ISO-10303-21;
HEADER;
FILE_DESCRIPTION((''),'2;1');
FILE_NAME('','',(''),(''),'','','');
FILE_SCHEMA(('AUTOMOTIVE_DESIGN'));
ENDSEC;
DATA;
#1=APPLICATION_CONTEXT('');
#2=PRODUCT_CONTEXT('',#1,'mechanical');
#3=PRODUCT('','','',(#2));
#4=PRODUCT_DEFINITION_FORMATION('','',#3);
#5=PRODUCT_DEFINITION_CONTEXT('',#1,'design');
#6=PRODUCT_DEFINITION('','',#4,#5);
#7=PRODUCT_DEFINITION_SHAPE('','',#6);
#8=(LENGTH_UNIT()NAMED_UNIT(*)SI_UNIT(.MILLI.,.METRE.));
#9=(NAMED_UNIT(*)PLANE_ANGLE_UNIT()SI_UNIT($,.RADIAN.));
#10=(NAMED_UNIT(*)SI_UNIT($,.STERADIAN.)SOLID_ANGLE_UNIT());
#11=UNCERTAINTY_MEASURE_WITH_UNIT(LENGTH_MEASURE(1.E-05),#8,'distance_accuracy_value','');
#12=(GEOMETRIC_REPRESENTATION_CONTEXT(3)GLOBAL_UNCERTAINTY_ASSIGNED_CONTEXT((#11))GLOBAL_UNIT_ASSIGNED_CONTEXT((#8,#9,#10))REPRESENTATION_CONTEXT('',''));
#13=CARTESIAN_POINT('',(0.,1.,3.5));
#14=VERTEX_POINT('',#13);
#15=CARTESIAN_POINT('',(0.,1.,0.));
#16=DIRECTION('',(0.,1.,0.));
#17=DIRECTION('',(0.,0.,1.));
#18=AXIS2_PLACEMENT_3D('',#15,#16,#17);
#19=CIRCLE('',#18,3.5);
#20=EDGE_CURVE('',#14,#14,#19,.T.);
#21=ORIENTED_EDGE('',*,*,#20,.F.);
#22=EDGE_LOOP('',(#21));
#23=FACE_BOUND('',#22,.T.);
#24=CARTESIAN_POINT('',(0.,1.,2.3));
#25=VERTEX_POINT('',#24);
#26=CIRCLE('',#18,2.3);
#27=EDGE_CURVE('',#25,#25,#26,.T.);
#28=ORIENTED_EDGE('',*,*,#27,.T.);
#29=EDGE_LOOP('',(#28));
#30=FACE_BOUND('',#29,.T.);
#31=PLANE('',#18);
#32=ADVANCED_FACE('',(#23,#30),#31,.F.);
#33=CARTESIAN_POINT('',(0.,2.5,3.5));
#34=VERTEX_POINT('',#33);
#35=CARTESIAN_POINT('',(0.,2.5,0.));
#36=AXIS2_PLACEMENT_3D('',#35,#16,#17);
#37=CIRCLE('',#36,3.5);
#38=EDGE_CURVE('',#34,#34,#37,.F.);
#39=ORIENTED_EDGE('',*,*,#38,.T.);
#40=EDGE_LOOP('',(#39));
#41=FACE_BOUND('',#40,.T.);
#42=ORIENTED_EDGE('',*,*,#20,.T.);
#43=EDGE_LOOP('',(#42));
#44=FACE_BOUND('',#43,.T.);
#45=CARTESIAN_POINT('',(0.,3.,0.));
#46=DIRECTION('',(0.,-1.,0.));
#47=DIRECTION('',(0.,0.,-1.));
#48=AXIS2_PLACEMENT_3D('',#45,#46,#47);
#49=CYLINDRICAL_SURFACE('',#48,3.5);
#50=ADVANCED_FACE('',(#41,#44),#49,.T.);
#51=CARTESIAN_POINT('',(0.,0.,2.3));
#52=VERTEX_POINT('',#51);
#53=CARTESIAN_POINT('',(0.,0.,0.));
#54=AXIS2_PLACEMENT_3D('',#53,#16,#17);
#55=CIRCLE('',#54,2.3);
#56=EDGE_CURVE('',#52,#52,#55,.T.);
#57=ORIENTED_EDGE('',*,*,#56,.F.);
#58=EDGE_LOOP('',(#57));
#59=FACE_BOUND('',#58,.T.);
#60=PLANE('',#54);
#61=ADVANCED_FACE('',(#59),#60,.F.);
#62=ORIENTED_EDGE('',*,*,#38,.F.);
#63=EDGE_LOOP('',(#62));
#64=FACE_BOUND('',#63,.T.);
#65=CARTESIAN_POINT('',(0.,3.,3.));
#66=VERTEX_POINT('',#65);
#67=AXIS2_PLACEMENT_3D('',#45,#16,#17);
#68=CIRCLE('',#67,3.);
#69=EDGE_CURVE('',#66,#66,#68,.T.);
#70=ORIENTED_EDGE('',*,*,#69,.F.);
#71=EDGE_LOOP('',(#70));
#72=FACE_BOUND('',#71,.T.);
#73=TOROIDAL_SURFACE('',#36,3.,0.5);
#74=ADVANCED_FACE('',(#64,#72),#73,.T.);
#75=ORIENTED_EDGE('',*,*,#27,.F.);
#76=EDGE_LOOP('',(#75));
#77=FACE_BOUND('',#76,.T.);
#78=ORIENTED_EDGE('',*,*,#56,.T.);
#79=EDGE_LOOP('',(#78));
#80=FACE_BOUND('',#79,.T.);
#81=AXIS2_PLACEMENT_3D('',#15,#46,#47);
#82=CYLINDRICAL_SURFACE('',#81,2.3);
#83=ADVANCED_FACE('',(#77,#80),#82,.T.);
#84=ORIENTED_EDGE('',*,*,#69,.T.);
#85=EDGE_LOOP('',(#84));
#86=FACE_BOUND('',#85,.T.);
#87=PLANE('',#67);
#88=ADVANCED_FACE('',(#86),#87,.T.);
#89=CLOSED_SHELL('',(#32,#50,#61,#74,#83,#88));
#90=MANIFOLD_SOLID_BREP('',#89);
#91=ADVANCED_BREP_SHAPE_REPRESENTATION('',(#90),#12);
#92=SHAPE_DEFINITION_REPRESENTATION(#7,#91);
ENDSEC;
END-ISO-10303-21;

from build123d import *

# Parameters (mm, degrees)
SKETCH_1_R      = 2.3
EXTRUDE_1_DEPTH = 1
SKETCH_2_R      = 3.5
EXTRUDE_2_DEPTH = 2
FILLET_1_R      = 0.5


with BuildPart() as part:
    # 草图1 → 凸台-拉伸1 (new body)
    with BuildSketch(Plane(origin=(0, 0, 0), x_dir=(1, 0, 0), z_dir=(0, 1, 0))):
        with Locations(Location((0, 0, 0), (0, 0, 270))):
            Circle(SKETCH_1_R)
    extrude(amount=EXTRUDE_1_DEPTH)

    # 草图2 → 凸台-拉伸2 (add)
    with BuildSketch(Plane(origin=(0, 1, 0), x_dir=(1, 0, 0), z_dir=(0, 1, 0))):
        with Locations(Location((0, 0, 0), (0, 0, 270))):
            Circle(SKETCH_2_R)
    extrude(amount=EXTRUDE_2_DEPTH)

    # 圆角1
    fillet_1_edges = [part.edges().sort_by_distance(p)[0] for p in [
        (0, 3, -3.5),
    ]]
    fillet(fillet_1_edges, radius=FILLET_1_R)


solid = part.part
